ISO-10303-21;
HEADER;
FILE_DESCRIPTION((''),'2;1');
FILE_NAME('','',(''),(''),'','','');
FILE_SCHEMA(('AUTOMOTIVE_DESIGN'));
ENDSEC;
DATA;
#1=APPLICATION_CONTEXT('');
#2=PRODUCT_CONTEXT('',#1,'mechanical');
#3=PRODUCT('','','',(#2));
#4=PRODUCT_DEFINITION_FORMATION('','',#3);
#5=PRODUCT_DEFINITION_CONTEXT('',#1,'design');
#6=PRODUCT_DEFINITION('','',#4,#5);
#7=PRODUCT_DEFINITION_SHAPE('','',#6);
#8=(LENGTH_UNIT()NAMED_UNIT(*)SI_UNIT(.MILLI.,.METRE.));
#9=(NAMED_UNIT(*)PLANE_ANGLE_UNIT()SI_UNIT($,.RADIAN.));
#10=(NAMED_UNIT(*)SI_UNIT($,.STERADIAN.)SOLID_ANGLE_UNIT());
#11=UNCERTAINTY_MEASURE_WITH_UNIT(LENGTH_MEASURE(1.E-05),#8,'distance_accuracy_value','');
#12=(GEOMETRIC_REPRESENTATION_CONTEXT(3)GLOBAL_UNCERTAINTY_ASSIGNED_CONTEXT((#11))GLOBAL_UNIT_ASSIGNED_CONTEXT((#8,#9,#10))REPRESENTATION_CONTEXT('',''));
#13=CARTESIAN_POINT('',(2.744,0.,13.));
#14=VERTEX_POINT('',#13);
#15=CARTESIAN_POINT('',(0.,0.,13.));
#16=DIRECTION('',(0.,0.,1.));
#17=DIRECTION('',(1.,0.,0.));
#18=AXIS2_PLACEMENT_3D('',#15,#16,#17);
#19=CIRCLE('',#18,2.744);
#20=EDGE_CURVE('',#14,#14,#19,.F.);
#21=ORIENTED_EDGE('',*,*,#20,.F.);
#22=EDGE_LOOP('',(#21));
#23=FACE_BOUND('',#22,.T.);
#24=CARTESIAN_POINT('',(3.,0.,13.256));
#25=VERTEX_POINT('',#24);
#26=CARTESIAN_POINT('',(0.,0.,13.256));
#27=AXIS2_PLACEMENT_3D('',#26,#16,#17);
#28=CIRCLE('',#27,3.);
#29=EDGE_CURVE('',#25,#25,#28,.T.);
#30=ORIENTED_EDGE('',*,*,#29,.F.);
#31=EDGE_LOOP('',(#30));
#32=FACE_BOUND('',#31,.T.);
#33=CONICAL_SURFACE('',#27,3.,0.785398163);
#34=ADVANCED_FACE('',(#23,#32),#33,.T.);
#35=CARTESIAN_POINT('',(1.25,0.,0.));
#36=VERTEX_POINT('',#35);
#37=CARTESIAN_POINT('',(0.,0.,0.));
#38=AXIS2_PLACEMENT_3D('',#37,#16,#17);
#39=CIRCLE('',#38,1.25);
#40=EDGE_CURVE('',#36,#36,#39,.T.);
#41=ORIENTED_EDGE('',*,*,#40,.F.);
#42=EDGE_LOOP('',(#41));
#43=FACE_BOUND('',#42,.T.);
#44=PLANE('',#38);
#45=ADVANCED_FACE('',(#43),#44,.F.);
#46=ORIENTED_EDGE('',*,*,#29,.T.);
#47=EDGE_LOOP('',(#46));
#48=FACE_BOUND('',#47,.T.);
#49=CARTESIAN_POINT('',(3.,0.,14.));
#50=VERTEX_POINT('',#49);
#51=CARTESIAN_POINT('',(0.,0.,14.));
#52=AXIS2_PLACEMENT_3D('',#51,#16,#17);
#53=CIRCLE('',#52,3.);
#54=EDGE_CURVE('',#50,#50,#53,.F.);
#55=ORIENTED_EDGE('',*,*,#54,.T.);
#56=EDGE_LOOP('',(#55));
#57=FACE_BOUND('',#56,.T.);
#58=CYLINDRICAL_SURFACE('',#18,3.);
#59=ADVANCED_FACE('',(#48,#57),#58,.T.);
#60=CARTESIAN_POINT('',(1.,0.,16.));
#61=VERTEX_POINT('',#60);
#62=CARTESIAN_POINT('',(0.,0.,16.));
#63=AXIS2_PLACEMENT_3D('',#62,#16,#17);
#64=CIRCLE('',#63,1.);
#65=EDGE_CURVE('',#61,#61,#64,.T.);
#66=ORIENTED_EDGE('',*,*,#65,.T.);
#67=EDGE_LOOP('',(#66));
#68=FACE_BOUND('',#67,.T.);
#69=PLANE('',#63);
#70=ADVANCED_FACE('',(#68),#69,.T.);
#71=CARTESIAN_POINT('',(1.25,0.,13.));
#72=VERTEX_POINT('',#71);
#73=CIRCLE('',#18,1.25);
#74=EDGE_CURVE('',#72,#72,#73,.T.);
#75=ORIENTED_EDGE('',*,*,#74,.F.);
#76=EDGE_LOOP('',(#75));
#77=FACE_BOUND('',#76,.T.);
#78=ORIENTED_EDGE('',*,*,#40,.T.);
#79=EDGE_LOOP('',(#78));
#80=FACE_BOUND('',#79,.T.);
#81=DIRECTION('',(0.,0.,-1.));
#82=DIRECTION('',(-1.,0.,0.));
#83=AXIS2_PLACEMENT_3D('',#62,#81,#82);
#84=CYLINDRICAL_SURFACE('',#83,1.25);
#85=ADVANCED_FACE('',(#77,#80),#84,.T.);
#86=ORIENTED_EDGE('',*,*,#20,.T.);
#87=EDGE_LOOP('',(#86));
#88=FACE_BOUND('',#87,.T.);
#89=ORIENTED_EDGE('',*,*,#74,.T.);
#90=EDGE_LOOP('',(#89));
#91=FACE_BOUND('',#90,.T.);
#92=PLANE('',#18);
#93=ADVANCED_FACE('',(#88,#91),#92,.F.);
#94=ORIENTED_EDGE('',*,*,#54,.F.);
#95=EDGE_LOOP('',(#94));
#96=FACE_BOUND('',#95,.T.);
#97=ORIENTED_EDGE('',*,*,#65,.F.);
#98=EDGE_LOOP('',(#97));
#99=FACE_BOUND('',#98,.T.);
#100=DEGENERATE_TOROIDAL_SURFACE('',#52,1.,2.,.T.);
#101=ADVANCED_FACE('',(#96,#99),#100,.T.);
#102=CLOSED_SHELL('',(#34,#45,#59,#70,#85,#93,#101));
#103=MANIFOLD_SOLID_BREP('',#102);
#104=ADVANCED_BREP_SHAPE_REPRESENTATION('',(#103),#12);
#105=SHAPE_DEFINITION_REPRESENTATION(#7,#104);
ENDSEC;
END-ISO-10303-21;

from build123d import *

# Parameters (mm, degrees)
SKETCH1_R           = 1.25
BOSS_EXTRUDE1_DEPTH = 16
SKETCH2_R           = 3
BOSS_EXTRUDE2_DEPTH = 3
FILLET1_R           = 2
CHAMFER1_SIZE       = 0.256


with BuildPart() as part:
    # Sketch1 → Boss-Extrude1 (new body)
    with BuildSketch(Plane.XY):
        Circle(SKETCH1_R)
    extrude(amount=BOSS_EXTRUDE1_DEPTH)

    # Sketch2 → Boss-Extrude2 (add)
    with BuildSketch(Plane.XY.offset(16)):
        Circle(SKETCH2_R)
    extrude(amount=-BOSS_EXTRUDE2_DEPTH)

    # Fillet1
    fillet1_edges = [part.edges().sort_by_distance(p)[0] for p in [
        (-3, 0, 16),
    ]]
    fillet(fillet1_edges, radius=FILLET1_R)

    # Chamfer1
    chamfer1_edges = [part.edges().sort_by_distance(p)[0] for p in [
        (-3, 0, 13),
    ]]
    chamfer(chamfer1_edges, length=CHAMFER1_SIZE)


solid = part.part
